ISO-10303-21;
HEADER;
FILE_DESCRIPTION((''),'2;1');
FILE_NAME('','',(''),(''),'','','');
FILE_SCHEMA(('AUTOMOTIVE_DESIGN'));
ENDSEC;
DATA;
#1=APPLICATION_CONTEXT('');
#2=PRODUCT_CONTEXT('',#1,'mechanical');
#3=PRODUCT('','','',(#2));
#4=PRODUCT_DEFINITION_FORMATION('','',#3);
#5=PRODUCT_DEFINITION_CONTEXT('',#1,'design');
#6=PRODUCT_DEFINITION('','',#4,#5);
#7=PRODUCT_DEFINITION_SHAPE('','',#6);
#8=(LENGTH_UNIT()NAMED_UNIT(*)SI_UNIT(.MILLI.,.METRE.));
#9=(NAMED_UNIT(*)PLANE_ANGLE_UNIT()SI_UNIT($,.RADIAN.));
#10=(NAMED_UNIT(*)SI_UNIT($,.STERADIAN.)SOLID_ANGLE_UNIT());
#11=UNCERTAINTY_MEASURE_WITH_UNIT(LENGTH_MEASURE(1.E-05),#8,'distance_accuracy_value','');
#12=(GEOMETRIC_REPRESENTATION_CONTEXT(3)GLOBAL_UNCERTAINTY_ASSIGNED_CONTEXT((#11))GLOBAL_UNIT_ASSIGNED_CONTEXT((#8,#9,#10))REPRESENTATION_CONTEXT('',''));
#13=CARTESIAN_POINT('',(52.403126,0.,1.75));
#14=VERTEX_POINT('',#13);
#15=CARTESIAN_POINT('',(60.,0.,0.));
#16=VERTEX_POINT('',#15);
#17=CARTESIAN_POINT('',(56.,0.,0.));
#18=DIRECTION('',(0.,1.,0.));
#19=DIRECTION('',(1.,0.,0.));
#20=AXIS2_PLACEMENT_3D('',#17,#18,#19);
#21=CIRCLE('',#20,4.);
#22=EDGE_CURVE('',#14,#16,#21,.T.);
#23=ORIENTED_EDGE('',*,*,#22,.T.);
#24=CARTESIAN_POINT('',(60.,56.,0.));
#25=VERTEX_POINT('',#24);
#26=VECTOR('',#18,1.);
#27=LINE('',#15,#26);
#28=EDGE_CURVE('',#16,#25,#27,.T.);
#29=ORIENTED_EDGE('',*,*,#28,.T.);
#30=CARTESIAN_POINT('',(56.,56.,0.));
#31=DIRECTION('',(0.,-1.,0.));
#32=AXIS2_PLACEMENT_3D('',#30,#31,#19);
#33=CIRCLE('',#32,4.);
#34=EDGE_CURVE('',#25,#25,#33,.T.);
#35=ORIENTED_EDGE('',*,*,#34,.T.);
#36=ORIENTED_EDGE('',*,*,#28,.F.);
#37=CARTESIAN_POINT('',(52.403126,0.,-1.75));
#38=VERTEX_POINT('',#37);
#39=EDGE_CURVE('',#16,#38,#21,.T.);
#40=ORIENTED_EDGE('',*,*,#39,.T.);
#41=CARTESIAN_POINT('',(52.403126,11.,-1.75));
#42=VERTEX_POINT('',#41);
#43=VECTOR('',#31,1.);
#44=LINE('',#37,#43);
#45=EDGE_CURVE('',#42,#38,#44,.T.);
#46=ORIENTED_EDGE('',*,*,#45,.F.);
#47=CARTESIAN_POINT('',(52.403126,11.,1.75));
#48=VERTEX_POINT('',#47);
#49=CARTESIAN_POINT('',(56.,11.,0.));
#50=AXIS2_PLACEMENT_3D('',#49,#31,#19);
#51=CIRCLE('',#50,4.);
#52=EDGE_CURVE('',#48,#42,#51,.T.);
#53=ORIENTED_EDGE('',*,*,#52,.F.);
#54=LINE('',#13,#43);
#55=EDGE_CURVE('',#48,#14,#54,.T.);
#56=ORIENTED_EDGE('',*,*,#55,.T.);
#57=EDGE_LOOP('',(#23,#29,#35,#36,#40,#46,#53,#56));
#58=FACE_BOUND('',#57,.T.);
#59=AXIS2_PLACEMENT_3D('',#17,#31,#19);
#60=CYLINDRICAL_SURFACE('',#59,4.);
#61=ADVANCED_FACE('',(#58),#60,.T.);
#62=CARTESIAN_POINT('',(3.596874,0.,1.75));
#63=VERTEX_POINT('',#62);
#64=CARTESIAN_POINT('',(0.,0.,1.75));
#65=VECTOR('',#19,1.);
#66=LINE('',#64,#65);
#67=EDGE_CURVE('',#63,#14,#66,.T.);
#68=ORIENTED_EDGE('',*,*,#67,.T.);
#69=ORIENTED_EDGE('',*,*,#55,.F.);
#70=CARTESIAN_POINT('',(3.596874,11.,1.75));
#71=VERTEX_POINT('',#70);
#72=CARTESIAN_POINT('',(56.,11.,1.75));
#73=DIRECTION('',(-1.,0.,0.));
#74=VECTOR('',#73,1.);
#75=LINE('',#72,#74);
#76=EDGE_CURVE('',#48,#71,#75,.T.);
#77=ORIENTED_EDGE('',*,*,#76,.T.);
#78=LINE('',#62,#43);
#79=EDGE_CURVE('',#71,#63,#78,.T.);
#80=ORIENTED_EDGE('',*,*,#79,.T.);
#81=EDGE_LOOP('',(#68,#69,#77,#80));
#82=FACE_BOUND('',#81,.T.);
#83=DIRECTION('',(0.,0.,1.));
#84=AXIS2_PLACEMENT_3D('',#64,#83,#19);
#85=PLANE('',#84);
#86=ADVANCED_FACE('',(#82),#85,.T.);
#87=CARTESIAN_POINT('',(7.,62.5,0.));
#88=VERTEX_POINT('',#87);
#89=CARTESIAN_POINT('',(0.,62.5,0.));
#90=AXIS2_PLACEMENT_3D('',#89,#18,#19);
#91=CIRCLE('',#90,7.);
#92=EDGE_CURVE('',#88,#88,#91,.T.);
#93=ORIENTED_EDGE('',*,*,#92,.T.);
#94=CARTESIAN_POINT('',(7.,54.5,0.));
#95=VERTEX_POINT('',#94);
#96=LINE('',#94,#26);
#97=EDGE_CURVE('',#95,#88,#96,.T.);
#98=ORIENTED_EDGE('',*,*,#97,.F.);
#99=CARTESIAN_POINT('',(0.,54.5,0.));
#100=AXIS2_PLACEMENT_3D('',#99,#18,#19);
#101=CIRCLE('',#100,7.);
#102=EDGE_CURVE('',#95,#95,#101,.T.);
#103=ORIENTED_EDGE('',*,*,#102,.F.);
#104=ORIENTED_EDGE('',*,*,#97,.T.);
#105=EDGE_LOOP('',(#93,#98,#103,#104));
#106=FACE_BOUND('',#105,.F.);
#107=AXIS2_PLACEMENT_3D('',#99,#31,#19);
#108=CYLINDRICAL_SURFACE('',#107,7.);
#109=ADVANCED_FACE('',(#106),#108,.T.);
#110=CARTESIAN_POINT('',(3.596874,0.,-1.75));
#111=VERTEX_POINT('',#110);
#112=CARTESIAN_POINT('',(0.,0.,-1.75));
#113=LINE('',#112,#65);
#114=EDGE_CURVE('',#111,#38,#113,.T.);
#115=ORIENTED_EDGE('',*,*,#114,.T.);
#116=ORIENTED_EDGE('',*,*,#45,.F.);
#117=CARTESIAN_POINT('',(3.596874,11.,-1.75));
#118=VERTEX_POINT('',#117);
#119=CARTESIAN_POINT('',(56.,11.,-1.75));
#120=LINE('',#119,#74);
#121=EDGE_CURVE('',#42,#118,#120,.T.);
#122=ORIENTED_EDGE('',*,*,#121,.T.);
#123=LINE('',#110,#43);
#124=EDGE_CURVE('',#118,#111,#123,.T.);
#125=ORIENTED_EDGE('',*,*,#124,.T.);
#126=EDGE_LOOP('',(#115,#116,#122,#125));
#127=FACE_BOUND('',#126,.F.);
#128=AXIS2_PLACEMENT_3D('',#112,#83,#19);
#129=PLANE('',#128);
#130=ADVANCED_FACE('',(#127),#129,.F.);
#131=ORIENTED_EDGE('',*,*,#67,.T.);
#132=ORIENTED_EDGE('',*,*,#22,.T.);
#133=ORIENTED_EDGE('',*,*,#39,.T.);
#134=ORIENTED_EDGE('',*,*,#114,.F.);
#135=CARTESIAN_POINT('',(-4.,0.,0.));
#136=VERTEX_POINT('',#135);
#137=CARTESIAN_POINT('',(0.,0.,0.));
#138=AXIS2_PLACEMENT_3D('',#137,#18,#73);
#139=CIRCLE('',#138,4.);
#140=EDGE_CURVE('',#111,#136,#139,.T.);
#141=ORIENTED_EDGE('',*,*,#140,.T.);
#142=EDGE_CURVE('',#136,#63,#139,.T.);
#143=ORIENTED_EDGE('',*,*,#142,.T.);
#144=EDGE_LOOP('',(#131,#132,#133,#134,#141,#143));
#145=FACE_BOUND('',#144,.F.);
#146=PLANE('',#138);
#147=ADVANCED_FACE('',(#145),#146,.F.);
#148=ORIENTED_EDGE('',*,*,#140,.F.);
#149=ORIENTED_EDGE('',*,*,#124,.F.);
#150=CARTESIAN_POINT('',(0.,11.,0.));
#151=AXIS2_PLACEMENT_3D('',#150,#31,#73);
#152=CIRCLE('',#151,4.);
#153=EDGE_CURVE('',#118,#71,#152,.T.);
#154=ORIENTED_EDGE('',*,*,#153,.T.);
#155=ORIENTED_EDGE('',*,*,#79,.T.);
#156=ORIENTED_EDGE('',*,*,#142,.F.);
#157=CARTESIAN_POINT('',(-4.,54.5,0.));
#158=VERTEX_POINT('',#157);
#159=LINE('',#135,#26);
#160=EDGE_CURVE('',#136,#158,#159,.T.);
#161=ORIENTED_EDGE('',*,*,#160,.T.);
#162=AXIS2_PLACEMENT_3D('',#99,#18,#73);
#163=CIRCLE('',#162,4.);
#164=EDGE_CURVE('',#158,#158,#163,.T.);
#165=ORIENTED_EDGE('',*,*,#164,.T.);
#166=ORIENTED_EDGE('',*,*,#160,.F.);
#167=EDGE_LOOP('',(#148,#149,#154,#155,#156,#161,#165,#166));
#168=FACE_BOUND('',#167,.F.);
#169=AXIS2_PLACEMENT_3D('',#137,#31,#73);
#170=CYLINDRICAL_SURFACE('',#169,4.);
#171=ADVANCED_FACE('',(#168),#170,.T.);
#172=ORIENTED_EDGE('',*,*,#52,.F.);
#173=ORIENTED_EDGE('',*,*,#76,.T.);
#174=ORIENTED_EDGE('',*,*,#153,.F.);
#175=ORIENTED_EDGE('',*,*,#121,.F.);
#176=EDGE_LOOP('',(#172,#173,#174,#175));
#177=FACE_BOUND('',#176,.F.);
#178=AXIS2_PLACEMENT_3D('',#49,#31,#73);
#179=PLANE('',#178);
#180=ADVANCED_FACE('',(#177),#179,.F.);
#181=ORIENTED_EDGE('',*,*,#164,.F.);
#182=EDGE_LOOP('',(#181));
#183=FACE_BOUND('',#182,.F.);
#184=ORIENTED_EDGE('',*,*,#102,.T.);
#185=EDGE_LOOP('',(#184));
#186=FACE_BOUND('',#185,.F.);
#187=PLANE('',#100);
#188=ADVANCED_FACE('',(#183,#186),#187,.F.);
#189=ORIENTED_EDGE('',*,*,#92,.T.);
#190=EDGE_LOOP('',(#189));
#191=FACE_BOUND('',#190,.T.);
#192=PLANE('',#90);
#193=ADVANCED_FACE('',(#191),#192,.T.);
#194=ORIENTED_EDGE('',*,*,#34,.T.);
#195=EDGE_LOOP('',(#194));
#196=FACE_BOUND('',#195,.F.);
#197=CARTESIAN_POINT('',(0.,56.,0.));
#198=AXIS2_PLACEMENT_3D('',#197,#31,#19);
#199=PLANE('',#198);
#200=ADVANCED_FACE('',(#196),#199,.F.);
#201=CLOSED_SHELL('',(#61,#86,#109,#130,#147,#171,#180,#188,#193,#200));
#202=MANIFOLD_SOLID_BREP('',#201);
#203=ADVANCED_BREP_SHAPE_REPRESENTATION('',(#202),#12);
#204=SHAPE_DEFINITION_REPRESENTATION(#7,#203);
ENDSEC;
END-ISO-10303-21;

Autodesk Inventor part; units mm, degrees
ref_plane "YZ Plane" through (0, 0, 0) normal (1, 0, 0) x (0, 1, 0)
ref_plane "XZ Plane" through (0, 0, 0) normal (0, 1, 0) x (-1, 0, 0)
ref_plane "XY Plane" through (0, 0, 0) normal (0, 0, 1) x (1, 0, 0)
sketch "Sketch1" plane through (0, 0, 0) normal (0, 1, 0) x (-1, 0, 0)
  circle A0 centre (0, 0) radius 4
  dimension "d0" = 8
extrude "Extrusion1" add sketch "Sketch1" along normal blind 54.5
sketch "Sketch2" plane through (0, 54.5, 0) normal (0, 1, 0) x (1, 0, 0)
  circle A0 centre (0, 0) radius 7
  dimension "d3" = 14
extrude "Extrusion2" add sketch "Sketch2" along normal blind 8
sketch "Sketch3" plane through (0, 0, 0) normal (0, 0, 1) x (1, 0, 0)
  line L0 (0, 0) -> (56, 0)
  line L1 (56, 0) -> (56, 11)
  line L2 (56, 11) -> (0, 11)
  line L3 (0, 11) -> (0, 0)
  dimension "d6" = 56
  dimension "d7" = 11
extrude "Extrusion3" add sketch "Sketch3" along normal mid plane 3.5
sketch "Sketch12" plane through (0, 0, 0) normal (0, -1, 0) x (1, 0, 0)
  line L0 (56, 1.75) -> (56, -1.75) projected
  circle A0 centre (56, 0) radius 4
  line L1 (-20.4, 0) -> (73.4, 0) projected
  point P0 (0, 0)
  dimension "d41" = 8
extrude "Extrusion10" add sketch "Sketch12" against normal blind 56
properties part number "Cube Cage" material "ABS Plastic"
